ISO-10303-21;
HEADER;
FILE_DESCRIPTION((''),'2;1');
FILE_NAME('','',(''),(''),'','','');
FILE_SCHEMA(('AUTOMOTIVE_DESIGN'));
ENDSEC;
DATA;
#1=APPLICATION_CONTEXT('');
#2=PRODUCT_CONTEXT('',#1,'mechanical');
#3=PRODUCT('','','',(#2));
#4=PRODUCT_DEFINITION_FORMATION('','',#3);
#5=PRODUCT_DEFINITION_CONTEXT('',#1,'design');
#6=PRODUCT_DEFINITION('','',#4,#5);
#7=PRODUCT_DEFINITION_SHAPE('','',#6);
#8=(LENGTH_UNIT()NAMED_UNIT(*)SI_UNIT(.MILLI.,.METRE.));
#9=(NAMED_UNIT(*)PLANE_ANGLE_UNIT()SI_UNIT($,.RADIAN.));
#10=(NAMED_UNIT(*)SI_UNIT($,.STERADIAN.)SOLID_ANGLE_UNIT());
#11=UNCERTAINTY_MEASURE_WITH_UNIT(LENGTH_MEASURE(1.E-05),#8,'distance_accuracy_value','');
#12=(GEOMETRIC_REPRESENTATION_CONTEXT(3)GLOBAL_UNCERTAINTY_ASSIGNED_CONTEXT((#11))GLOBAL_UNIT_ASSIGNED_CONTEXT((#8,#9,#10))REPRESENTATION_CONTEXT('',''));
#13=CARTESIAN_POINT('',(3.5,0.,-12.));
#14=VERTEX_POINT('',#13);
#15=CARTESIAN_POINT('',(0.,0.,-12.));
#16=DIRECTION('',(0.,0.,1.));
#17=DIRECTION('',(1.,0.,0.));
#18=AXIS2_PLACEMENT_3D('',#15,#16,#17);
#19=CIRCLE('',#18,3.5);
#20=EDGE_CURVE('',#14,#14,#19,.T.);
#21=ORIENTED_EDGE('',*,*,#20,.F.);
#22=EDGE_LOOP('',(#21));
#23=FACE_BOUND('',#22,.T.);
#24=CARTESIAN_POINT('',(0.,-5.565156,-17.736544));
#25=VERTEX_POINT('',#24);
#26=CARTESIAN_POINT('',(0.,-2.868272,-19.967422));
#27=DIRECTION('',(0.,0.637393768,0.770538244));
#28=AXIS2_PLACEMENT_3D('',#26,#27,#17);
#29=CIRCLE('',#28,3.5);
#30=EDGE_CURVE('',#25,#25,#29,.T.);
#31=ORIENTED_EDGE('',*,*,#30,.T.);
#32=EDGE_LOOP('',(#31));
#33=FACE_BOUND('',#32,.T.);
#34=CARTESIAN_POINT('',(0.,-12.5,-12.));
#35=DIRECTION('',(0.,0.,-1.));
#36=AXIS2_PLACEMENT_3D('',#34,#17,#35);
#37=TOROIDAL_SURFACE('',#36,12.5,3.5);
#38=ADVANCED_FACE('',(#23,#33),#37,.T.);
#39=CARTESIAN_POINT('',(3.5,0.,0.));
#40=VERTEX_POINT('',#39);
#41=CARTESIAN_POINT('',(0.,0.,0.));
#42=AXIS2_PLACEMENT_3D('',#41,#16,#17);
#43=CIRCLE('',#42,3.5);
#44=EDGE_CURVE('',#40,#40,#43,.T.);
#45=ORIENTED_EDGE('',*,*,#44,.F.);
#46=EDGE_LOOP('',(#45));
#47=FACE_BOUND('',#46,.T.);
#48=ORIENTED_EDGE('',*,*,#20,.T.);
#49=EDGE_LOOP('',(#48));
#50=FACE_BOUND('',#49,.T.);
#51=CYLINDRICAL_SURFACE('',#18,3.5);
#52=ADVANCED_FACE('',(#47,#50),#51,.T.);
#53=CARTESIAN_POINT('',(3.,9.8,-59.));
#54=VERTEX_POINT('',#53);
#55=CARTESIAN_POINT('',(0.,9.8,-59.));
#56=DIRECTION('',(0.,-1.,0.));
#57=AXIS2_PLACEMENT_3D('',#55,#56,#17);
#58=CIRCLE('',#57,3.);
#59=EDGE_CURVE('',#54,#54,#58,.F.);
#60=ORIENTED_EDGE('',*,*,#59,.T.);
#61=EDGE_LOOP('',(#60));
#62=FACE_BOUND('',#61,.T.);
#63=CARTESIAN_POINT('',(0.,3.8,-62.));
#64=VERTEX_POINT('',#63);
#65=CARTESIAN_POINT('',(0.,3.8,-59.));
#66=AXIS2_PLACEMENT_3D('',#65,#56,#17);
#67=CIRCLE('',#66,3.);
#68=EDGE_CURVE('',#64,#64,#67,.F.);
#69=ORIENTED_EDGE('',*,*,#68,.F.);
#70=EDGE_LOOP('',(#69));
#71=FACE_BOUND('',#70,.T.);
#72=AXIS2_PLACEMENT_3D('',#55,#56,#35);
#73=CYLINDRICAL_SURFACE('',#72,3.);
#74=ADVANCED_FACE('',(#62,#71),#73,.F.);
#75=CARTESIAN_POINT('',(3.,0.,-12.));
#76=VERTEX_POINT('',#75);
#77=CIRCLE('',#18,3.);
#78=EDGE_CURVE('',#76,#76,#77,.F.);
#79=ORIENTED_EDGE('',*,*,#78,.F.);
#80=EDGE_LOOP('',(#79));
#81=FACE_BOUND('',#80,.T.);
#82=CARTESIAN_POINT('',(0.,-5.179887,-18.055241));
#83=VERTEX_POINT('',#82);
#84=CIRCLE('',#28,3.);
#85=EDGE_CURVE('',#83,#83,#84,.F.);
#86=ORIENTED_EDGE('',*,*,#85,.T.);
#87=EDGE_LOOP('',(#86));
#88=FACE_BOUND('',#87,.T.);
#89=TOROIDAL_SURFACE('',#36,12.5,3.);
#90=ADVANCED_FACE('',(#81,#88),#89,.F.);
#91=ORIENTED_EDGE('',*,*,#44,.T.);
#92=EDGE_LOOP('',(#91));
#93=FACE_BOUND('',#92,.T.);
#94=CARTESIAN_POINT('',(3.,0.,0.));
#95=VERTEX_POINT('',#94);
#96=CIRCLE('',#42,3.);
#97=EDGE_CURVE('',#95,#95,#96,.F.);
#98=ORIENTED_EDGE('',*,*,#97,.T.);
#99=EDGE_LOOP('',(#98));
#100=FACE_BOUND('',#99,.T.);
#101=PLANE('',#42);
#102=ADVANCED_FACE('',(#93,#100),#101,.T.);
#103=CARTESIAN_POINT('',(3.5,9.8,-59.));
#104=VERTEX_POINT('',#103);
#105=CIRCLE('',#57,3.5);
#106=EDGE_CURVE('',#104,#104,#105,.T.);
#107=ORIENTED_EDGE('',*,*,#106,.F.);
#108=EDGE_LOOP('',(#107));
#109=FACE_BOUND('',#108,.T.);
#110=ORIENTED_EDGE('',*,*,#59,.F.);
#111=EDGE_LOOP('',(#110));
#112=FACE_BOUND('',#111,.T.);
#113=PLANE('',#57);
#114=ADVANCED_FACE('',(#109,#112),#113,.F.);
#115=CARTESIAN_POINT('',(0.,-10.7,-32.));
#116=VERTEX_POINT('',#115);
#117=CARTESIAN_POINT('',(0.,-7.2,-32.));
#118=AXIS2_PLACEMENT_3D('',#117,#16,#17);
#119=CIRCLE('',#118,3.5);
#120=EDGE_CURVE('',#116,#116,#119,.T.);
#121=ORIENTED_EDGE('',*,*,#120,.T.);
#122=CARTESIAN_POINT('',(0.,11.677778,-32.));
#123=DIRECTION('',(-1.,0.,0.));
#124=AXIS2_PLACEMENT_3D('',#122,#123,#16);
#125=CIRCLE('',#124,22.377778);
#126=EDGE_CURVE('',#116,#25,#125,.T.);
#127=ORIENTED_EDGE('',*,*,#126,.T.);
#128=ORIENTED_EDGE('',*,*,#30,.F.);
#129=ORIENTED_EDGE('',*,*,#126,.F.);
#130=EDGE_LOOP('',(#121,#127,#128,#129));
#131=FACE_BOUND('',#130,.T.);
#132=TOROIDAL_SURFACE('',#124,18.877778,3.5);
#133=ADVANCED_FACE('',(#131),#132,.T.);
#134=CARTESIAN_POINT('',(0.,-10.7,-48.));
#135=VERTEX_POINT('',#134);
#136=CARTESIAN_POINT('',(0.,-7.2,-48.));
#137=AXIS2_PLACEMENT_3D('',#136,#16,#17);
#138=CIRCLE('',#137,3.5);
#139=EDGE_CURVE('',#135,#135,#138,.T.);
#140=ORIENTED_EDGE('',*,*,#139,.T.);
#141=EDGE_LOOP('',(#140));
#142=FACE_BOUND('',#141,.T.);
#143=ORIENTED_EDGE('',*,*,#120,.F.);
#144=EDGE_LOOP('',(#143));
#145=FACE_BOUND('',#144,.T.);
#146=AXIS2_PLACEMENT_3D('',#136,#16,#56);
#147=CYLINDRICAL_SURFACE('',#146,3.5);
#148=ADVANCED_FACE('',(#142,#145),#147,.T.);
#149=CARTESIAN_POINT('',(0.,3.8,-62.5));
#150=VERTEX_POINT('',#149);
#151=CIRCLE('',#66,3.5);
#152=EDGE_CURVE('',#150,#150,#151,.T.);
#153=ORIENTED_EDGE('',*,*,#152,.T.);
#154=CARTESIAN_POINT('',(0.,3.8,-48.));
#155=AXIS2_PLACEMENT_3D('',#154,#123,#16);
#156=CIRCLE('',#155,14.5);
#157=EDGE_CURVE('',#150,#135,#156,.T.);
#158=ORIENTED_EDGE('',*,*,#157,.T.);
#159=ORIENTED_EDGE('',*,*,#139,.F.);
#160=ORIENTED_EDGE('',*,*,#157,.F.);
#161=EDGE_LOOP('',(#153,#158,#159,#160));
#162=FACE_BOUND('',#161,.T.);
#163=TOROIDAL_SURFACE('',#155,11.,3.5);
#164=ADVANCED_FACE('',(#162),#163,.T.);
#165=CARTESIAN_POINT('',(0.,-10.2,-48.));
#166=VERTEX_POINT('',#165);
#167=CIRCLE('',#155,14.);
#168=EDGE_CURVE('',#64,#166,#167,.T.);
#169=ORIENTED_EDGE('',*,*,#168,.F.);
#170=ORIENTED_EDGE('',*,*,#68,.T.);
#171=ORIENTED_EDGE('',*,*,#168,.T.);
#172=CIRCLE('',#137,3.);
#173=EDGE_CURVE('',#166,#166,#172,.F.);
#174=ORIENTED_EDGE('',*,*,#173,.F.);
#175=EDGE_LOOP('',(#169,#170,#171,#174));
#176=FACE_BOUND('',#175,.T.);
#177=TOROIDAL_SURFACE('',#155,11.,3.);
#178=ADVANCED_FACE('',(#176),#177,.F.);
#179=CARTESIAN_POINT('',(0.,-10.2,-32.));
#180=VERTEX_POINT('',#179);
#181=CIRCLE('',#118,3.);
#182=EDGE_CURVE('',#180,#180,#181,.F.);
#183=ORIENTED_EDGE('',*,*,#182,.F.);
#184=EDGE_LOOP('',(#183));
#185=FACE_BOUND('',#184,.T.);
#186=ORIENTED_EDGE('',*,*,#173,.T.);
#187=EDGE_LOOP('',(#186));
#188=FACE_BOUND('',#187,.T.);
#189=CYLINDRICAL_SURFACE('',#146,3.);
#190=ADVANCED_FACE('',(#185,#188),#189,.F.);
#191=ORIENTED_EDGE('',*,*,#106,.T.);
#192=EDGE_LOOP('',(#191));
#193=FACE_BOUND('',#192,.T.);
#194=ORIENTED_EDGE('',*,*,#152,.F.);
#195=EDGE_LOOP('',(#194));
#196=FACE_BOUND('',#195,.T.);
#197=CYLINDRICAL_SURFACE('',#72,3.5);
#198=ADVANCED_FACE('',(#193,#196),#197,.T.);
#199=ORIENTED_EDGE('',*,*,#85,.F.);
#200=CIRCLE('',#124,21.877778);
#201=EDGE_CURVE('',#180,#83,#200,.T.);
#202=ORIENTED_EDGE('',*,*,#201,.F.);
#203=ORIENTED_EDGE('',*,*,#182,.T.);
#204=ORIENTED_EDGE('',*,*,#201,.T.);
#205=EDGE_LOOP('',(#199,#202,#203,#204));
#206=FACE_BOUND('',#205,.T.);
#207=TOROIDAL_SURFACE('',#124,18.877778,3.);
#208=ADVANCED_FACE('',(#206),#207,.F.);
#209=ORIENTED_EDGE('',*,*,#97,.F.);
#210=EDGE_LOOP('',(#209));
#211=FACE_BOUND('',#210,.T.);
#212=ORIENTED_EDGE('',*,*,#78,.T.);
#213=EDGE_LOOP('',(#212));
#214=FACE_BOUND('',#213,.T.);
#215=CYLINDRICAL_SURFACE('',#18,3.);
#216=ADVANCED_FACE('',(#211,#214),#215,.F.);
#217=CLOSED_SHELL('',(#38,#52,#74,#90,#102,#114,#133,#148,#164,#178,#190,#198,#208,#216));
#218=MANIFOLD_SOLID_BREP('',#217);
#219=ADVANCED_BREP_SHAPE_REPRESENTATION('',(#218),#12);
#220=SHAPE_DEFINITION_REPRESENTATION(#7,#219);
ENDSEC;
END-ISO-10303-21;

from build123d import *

# Parameters (mm, degrees)
SKETCH7_R   = 3.5
SKETCH7_R_2 = 3


with BuildPart() as part:
    # Sweep3: sweep along a path in Sketch6
    with BuildLine(Plane(origin=(0, 0, 0), x_dir=(0, 0, -1), z_dir=(1, 0, 0))) as sweep3_path:
        Line((0, 0), (12, 0))
        ThreePointArc((12, 0), (16.233993353, -0.738907352), (19.967422096, -2.868271955))
        ThreePointArc((19.967422096, -2.868271955), (25.605729149, -6.084085697), (32, -7.2))
        Line((32, -7.2), (48, -7.2))
        ThreePointArc((48, -7.2), (55.778174593, -3.978174593), (59, 3.8))
        Line((59, 3.8), (59, 9.8))
    # Sketch7 → Sweep3 (sweep)
    with BuildSketch(Plane.XY):
        Circle(SKETCH7_R)
        Circle(SKETCH7_R_2, mode=Mode.SUBTRACT)
    sweep(path=sweep3_path.line)


solid = part.part
